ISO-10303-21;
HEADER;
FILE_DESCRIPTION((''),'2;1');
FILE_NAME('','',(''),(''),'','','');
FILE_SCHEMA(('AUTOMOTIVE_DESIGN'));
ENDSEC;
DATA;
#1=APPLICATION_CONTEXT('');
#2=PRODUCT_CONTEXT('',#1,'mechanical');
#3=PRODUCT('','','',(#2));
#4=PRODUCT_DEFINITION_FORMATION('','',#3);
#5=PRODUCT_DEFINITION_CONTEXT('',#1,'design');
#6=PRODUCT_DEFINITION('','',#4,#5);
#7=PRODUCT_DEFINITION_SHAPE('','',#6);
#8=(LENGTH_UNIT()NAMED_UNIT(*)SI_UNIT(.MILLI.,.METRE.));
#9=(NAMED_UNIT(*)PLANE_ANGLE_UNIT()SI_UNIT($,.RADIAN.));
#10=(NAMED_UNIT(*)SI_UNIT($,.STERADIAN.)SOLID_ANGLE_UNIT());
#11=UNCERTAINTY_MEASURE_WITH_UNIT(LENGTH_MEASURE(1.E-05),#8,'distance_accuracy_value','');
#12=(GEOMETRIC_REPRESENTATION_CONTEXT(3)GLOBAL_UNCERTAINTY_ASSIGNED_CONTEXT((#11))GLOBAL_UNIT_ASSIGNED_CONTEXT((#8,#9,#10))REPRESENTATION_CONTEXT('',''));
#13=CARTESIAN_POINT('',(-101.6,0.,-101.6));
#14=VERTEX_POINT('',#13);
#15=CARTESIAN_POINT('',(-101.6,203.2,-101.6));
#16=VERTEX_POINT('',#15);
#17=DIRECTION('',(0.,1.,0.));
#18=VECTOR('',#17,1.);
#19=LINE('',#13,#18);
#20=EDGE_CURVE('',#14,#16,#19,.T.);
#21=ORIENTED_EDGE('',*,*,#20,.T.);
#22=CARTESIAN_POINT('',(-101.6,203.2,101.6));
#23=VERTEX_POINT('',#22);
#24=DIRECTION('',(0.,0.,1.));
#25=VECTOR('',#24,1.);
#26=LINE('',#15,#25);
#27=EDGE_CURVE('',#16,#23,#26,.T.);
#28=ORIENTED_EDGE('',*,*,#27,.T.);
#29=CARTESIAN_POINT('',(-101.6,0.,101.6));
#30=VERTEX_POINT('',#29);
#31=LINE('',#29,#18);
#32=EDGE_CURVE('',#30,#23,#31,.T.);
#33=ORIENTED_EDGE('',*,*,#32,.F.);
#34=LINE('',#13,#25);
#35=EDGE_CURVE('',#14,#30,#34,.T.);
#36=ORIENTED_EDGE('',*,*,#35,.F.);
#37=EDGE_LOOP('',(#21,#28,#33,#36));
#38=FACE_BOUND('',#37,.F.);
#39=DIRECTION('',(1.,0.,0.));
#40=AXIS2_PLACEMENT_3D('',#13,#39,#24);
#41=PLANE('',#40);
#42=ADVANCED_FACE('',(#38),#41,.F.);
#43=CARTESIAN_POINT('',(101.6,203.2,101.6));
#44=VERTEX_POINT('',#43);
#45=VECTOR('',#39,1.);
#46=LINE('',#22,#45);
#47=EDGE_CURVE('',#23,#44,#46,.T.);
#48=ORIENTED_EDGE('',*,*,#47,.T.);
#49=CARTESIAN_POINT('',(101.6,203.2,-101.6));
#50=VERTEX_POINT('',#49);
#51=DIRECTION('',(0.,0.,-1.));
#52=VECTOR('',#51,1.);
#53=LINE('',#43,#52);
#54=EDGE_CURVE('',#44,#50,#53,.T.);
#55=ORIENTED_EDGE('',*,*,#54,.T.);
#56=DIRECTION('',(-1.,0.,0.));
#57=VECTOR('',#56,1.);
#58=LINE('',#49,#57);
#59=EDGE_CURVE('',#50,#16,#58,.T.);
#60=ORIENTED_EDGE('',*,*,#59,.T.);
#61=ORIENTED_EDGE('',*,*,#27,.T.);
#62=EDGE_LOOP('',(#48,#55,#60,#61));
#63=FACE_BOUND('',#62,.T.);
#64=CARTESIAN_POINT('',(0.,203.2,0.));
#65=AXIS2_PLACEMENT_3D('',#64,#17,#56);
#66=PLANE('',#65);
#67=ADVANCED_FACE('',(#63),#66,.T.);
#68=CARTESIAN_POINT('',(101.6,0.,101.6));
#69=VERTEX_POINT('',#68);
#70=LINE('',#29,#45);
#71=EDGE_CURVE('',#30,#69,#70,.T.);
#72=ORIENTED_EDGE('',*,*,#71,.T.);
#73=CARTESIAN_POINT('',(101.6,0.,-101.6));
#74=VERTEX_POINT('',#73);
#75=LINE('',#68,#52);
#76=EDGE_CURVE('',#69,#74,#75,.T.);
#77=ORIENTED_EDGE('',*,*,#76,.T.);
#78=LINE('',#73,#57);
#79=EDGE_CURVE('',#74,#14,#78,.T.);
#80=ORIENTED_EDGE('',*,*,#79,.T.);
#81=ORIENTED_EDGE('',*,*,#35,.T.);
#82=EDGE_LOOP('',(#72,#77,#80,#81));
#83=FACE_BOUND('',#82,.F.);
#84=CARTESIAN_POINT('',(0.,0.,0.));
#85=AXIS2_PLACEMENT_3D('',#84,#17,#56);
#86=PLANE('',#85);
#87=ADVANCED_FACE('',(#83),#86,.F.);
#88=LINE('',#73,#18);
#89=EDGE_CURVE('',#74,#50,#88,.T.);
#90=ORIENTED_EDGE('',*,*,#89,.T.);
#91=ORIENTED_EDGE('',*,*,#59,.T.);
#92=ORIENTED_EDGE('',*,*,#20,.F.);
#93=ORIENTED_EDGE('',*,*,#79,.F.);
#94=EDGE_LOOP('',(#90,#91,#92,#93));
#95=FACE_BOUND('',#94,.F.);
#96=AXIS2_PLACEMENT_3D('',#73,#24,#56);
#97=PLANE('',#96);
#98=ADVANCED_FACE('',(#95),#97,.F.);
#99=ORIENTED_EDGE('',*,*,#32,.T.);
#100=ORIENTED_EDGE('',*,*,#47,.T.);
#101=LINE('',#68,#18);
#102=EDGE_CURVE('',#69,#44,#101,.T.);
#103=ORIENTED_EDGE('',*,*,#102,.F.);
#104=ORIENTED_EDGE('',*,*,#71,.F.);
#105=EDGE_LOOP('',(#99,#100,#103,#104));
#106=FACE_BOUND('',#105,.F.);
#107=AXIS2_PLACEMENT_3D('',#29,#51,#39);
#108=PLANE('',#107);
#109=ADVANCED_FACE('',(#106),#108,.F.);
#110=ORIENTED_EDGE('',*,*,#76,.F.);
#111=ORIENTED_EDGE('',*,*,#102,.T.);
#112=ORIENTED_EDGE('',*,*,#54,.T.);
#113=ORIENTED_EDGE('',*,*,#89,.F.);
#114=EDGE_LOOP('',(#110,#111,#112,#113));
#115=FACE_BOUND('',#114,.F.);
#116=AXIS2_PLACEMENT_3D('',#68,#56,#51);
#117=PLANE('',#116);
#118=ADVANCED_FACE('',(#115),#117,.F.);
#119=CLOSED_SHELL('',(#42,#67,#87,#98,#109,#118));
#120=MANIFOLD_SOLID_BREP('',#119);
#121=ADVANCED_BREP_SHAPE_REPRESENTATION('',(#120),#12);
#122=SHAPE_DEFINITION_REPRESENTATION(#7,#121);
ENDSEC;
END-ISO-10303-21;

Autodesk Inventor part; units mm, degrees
ref_plane "YZ Plane" through (0, 0, 0) normal (1, 0, 0) x (0, 1, 0)
ref_plane "XZ Plane" through (0, 0, 0) normal (0, 1, 0) x (-1, 0, 0)
ref_plane "XY Plane" through (0, 0, 0) normal (0, 0, 1) x (1, 0, 0)
sketch "Sketch1" plane through (0, 0, 0) normal (0, 1, 0) x (-1, 0, 0)
  line L0 (-101.6, -101.6) -> (101.6, -101.6)
  line L1 (101.6, -101.6) -> (101.6, 101.6)
  line L2 (101.6, 101.6) -> (-101.6, 101.6)
  line L3 (-101.6, 101.6) -> (-101.6, -101.6)
  line L4 (-101.6, -101.6) -> (101.6, 101.6) construction
  line L5 (101.6, -101.6) -> (-101.6, 101.6) construction
  point P0 (0, 0)
  dimension "d0" = 203.2
  dimension "d1" = 203.2
extrude "Extrusion1" add sketch "Sketch1" along normal blind 203.2
properties part number "TubeHolderV1"
